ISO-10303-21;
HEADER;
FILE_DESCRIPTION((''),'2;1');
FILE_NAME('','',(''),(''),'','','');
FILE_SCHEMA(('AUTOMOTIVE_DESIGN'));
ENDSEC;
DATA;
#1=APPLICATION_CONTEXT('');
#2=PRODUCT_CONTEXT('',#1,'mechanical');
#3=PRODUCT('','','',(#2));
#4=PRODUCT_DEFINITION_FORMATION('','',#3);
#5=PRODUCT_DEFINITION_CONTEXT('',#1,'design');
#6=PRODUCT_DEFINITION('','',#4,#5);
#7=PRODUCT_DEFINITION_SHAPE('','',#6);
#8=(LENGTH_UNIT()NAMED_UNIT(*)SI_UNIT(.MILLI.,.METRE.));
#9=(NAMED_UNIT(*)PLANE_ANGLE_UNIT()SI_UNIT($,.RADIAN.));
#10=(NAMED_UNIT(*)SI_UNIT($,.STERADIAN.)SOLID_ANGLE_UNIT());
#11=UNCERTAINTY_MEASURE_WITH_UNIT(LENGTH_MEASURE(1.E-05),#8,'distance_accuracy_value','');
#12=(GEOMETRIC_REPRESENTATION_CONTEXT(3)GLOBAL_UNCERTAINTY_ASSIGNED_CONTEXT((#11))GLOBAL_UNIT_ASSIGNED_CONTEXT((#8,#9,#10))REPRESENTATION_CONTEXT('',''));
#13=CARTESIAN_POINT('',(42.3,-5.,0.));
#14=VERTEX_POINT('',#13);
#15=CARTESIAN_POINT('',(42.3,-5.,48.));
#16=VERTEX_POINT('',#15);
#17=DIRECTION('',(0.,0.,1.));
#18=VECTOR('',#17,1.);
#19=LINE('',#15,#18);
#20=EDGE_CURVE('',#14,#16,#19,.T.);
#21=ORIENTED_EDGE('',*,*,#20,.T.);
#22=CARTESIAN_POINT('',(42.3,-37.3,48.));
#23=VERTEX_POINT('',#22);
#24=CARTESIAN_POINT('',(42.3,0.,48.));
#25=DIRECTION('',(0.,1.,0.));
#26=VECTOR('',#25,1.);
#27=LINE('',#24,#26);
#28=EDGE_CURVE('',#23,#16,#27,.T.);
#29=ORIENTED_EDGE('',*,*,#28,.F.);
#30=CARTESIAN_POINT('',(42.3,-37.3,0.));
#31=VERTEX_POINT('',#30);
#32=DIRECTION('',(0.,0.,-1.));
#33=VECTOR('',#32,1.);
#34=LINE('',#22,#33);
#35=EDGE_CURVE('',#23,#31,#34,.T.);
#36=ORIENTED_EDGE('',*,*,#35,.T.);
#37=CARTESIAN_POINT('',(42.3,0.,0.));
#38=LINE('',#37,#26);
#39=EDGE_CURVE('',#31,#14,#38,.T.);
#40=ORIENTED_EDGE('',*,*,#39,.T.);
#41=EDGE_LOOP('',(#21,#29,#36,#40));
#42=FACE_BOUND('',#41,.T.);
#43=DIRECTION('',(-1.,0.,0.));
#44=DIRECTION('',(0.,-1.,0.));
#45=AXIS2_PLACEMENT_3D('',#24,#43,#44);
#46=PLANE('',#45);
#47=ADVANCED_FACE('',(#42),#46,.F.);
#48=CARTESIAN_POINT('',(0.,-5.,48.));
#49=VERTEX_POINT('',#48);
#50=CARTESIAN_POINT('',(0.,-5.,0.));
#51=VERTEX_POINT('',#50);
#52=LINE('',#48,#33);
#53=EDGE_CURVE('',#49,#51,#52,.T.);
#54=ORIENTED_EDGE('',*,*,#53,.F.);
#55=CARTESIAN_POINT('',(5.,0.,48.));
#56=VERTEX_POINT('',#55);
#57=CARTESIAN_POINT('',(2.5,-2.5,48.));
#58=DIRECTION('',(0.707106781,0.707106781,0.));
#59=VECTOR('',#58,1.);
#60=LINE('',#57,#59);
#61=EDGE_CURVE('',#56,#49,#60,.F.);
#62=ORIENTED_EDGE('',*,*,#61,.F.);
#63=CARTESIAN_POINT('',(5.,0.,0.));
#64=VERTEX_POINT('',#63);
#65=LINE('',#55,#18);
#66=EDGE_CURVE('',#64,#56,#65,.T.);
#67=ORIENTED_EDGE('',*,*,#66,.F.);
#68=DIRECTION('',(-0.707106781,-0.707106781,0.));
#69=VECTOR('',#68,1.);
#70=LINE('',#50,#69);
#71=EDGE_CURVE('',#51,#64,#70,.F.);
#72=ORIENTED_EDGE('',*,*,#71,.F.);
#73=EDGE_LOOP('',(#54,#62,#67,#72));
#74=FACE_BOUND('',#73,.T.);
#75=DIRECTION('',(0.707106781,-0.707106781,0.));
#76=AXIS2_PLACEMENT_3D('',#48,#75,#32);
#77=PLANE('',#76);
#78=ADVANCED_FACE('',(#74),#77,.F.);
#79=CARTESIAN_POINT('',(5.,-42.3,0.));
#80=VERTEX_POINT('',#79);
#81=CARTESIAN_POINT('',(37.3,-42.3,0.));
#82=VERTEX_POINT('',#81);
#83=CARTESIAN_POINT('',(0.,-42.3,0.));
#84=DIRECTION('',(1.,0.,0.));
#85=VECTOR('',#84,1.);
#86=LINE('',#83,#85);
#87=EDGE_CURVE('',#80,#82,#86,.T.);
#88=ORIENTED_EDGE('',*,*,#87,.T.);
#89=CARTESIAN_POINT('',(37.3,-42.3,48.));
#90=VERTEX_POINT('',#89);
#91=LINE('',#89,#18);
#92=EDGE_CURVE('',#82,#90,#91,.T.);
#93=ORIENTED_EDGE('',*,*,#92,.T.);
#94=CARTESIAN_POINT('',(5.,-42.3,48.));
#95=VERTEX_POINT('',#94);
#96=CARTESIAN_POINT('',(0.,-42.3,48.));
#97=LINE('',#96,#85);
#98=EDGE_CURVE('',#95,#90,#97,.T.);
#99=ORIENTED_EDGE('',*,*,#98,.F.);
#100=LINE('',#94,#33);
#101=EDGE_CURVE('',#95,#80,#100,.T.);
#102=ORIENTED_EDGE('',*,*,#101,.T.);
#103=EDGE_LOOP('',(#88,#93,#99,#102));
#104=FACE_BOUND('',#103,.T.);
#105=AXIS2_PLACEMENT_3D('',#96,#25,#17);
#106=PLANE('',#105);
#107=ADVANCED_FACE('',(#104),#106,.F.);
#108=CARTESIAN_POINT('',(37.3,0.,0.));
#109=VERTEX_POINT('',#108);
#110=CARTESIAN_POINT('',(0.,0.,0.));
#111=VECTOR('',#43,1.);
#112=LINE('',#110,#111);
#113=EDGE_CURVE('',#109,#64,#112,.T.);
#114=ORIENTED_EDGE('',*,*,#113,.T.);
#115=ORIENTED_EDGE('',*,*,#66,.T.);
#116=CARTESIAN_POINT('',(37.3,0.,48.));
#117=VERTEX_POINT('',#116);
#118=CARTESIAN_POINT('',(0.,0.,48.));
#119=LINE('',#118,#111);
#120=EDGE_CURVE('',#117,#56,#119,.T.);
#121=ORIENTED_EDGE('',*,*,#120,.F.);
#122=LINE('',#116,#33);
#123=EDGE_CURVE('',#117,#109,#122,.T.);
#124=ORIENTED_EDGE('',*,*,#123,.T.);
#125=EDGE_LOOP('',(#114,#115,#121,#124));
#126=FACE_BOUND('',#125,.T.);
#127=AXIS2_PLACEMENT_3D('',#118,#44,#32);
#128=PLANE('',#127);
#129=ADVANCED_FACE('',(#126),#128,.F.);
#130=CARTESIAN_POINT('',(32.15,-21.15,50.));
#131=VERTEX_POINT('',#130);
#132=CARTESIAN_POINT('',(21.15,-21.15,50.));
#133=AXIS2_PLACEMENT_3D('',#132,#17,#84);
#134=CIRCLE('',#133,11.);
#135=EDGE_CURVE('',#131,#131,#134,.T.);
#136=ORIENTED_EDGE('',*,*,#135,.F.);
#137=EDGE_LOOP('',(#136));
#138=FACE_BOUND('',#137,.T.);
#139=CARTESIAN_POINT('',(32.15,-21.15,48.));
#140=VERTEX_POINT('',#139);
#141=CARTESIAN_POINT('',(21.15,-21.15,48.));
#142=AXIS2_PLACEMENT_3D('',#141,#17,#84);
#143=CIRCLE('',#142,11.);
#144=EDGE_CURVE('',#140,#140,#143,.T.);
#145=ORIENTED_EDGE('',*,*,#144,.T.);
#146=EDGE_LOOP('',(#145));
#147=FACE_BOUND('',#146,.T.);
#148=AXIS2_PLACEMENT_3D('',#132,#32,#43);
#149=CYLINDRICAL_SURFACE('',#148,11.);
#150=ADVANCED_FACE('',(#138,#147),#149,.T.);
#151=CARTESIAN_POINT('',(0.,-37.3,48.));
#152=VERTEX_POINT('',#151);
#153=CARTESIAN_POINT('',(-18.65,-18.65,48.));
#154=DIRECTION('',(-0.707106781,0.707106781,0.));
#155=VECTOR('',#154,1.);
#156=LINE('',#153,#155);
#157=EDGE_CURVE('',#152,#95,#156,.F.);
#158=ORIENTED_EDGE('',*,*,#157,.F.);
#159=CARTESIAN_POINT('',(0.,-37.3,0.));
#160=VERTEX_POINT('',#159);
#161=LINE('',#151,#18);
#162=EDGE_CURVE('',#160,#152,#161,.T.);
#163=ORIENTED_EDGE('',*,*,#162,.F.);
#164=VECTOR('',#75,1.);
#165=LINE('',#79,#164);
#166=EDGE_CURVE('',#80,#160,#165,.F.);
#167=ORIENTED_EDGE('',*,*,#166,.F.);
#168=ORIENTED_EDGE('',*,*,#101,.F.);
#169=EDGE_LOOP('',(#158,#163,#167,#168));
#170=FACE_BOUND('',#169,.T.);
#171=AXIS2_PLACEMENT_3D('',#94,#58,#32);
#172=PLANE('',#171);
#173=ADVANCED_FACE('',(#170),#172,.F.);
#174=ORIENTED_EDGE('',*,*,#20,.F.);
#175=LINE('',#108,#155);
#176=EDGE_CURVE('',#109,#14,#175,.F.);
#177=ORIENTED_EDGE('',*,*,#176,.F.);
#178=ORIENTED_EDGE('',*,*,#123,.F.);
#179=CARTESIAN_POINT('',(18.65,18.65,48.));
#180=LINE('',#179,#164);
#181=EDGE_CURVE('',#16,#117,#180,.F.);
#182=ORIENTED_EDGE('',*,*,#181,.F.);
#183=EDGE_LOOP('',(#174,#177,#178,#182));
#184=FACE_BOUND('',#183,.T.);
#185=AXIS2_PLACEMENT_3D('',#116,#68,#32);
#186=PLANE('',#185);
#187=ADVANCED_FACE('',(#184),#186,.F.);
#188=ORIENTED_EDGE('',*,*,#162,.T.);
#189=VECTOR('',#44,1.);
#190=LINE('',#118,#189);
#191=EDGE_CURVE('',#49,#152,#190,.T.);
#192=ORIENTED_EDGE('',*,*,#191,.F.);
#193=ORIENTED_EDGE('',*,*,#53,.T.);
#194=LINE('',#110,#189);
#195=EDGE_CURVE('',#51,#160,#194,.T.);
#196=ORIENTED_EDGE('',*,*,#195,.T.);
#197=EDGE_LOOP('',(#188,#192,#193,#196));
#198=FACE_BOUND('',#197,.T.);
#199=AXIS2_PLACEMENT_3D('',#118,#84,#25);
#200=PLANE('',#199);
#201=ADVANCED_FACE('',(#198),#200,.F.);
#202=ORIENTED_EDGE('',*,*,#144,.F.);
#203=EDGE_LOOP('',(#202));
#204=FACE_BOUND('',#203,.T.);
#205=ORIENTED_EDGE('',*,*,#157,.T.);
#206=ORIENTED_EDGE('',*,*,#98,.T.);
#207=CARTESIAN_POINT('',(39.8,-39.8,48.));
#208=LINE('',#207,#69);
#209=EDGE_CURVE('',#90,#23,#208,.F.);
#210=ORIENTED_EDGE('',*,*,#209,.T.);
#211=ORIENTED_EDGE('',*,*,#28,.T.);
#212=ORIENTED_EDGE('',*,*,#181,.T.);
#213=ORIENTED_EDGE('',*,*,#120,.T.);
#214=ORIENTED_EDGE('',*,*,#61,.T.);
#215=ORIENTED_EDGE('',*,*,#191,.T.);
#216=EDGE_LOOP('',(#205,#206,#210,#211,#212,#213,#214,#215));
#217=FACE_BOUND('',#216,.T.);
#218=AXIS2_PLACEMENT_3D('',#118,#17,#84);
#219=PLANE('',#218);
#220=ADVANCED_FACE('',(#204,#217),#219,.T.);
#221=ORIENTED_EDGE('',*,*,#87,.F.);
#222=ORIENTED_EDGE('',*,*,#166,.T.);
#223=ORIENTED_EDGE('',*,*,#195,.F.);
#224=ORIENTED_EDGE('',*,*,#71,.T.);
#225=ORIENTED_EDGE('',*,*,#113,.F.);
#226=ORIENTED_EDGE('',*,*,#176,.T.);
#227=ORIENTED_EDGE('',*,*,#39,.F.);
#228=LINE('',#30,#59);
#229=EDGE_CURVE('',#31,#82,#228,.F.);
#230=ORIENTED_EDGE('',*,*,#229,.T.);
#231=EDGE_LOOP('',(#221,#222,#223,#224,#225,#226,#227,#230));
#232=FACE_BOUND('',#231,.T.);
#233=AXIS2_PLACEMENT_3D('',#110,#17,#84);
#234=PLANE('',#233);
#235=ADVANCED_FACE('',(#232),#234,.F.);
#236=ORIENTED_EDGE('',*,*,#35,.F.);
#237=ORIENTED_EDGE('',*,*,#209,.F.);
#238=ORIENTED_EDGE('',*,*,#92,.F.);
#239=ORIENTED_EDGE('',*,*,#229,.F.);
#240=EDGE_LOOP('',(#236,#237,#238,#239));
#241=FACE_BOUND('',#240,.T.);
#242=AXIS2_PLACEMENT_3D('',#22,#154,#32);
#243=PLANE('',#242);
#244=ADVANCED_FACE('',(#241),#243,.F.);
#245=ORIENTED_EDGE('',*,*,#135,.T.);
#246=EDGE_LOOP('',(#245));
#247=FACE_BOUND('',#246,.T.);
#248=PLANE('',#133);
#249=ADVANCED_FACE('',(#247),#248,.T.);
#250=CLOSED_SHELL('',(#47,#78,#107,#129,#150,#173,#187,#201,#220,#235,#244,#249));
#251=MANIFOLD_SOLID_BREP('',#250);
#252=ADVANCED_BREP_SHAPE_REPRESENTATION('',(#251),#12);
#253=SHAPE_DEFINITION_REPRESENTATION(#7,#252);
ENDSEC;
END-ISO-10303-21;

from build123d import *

# Parameters (mm, degrees)
SKETCH1_W           = 42.3
SKETCH1_H           = 42.3
BOSS_EXTRUDE1_DEPTH = 48
SKETCH2_R           = 11
BOSS_EXTRUDE2_DEPTH = 2
CHAMFER1_SIZE       = 5


with BuildPart() as part:
    # Sketch1 → Boss-Extrude1 (new body)
    with BuildSketch(Plane.XY):
        with Locations((21.15, -21.15)):
            Rectangle(SKETCH1_W, SKETCH1_H)
    extrude(amount=BOSS_EXTRUDE1_DEPTH)

    # Sketch2 → Boss-Extrude2 (add)
    with BuildSketch(Plane.XY.offset(48)):
        with Locations((21.15, -21.15)):
            Circle(SKETCH2_R)
    extrude(amount=BOSS_EXTRUDE2_DEPTH)

    # Chamfer1
    chamfer1_edges = [part.edges().sort_by_distance(p)[0] for p in [
        (0, 0, 24),
        (42.3, 0, 24),
        (42.3, -42.3, 24),
        (0, -42.3, 24),
    ]]
    chamfer(chamfer1_edges, length=CHAMFER1_SIZE)


solid = part.part
